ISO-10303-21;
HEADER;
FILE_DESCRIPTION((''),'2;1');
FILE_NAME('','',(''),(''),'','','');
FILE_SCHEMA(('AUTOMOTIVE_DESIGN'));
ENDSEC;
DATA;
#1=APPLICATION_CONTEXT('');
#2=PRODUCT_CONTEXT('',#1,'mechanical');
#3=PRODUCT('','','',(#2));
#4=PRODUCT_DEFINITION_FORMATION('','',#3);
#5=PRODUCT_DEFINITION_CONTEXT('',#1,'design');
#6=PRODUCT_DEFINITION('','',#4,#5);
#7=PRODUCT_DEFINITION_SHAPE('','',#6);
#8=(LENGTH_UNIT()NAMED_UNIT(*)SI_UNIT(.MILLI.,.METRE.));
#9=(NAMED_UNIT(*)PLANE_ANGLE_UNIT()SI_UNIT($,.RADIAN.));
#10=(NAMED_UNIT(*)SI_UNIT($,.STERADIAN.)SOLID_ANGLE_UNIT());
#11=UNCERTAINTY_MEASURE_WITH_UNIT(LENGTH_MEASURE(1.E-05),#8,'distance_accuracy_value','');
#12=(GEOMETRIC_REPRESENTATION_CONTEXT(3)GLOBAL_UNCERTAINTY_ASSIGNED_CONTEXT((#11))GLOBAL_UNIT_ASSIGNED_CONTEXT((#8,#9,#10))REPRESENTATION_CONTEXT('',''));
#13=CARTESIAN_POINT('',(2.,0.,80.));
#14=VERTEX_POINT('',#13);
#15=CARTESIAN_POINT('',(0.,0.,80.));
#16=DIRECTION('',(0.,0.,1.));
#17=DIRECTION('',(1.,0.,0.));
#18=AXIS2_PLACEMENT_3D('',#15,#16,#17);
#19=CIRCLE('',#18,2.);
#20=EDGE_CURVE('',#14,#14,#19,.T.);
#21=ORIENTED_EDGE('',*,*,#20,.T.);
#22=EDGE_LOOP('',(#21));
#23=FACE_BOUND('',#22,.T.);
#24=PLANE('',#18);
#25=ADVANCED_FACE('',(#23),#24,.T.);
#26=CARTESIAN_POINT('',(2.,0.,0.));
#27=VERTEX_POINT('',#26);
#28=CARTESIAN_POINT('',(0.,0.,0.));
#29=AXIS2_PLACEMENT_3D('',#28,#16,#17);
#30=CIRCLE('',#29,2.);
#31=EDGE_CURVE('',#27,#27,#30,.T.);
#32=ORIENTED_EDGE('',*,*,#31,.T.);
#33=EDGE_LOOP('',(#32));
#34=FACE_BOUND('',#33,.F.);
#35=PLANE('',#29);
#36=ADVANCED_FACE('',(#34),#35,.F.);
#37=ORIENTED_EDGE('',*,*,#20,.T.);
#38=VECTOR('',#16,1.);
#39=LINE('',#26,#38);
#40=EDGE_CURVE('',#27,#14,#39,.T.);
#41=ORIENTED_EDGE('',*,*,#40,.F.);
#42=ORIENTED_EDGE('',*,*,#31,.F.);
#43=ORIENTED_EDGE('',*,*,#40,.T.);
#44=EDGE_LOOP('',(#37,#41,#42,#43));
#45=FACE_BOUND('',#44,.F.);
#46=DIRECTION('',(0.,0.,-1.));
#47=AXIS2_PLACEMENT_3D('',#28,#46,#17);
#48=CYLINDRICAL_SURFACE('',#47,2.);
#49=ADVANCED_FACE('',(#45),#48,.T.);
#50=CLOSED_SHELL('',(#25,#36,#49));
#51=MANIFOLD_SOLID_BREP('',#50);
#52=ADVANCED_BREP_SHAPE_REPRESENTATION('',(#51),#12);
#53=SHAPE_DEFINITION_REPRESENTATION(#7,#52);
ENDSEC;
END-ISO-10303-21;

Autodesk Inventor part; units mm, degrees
ref_plane "YZ Plane" through (0, 0, 0) normal (1, 0, 0) x (0, 1, 0)
ref_plane "XZ Plane" through (0, 0, 0) normal (0, 1, 0) x (-1, 0, 0)
ref_plane "XY Plane" through (0, 0, 0) normal (0, 0, 1) x (1, 0, 0)
sketch "Sketch1" plane through (0, 0, 0) normal (0, 0, 1) x (1, 0, 0)
  circle A0 centre (0, 0) radius 2
  dimension "d0" = 4
extrude "Extrusion1" add sketch "Sketch1" along normal blind 80
properties part number "Rod3mm"
